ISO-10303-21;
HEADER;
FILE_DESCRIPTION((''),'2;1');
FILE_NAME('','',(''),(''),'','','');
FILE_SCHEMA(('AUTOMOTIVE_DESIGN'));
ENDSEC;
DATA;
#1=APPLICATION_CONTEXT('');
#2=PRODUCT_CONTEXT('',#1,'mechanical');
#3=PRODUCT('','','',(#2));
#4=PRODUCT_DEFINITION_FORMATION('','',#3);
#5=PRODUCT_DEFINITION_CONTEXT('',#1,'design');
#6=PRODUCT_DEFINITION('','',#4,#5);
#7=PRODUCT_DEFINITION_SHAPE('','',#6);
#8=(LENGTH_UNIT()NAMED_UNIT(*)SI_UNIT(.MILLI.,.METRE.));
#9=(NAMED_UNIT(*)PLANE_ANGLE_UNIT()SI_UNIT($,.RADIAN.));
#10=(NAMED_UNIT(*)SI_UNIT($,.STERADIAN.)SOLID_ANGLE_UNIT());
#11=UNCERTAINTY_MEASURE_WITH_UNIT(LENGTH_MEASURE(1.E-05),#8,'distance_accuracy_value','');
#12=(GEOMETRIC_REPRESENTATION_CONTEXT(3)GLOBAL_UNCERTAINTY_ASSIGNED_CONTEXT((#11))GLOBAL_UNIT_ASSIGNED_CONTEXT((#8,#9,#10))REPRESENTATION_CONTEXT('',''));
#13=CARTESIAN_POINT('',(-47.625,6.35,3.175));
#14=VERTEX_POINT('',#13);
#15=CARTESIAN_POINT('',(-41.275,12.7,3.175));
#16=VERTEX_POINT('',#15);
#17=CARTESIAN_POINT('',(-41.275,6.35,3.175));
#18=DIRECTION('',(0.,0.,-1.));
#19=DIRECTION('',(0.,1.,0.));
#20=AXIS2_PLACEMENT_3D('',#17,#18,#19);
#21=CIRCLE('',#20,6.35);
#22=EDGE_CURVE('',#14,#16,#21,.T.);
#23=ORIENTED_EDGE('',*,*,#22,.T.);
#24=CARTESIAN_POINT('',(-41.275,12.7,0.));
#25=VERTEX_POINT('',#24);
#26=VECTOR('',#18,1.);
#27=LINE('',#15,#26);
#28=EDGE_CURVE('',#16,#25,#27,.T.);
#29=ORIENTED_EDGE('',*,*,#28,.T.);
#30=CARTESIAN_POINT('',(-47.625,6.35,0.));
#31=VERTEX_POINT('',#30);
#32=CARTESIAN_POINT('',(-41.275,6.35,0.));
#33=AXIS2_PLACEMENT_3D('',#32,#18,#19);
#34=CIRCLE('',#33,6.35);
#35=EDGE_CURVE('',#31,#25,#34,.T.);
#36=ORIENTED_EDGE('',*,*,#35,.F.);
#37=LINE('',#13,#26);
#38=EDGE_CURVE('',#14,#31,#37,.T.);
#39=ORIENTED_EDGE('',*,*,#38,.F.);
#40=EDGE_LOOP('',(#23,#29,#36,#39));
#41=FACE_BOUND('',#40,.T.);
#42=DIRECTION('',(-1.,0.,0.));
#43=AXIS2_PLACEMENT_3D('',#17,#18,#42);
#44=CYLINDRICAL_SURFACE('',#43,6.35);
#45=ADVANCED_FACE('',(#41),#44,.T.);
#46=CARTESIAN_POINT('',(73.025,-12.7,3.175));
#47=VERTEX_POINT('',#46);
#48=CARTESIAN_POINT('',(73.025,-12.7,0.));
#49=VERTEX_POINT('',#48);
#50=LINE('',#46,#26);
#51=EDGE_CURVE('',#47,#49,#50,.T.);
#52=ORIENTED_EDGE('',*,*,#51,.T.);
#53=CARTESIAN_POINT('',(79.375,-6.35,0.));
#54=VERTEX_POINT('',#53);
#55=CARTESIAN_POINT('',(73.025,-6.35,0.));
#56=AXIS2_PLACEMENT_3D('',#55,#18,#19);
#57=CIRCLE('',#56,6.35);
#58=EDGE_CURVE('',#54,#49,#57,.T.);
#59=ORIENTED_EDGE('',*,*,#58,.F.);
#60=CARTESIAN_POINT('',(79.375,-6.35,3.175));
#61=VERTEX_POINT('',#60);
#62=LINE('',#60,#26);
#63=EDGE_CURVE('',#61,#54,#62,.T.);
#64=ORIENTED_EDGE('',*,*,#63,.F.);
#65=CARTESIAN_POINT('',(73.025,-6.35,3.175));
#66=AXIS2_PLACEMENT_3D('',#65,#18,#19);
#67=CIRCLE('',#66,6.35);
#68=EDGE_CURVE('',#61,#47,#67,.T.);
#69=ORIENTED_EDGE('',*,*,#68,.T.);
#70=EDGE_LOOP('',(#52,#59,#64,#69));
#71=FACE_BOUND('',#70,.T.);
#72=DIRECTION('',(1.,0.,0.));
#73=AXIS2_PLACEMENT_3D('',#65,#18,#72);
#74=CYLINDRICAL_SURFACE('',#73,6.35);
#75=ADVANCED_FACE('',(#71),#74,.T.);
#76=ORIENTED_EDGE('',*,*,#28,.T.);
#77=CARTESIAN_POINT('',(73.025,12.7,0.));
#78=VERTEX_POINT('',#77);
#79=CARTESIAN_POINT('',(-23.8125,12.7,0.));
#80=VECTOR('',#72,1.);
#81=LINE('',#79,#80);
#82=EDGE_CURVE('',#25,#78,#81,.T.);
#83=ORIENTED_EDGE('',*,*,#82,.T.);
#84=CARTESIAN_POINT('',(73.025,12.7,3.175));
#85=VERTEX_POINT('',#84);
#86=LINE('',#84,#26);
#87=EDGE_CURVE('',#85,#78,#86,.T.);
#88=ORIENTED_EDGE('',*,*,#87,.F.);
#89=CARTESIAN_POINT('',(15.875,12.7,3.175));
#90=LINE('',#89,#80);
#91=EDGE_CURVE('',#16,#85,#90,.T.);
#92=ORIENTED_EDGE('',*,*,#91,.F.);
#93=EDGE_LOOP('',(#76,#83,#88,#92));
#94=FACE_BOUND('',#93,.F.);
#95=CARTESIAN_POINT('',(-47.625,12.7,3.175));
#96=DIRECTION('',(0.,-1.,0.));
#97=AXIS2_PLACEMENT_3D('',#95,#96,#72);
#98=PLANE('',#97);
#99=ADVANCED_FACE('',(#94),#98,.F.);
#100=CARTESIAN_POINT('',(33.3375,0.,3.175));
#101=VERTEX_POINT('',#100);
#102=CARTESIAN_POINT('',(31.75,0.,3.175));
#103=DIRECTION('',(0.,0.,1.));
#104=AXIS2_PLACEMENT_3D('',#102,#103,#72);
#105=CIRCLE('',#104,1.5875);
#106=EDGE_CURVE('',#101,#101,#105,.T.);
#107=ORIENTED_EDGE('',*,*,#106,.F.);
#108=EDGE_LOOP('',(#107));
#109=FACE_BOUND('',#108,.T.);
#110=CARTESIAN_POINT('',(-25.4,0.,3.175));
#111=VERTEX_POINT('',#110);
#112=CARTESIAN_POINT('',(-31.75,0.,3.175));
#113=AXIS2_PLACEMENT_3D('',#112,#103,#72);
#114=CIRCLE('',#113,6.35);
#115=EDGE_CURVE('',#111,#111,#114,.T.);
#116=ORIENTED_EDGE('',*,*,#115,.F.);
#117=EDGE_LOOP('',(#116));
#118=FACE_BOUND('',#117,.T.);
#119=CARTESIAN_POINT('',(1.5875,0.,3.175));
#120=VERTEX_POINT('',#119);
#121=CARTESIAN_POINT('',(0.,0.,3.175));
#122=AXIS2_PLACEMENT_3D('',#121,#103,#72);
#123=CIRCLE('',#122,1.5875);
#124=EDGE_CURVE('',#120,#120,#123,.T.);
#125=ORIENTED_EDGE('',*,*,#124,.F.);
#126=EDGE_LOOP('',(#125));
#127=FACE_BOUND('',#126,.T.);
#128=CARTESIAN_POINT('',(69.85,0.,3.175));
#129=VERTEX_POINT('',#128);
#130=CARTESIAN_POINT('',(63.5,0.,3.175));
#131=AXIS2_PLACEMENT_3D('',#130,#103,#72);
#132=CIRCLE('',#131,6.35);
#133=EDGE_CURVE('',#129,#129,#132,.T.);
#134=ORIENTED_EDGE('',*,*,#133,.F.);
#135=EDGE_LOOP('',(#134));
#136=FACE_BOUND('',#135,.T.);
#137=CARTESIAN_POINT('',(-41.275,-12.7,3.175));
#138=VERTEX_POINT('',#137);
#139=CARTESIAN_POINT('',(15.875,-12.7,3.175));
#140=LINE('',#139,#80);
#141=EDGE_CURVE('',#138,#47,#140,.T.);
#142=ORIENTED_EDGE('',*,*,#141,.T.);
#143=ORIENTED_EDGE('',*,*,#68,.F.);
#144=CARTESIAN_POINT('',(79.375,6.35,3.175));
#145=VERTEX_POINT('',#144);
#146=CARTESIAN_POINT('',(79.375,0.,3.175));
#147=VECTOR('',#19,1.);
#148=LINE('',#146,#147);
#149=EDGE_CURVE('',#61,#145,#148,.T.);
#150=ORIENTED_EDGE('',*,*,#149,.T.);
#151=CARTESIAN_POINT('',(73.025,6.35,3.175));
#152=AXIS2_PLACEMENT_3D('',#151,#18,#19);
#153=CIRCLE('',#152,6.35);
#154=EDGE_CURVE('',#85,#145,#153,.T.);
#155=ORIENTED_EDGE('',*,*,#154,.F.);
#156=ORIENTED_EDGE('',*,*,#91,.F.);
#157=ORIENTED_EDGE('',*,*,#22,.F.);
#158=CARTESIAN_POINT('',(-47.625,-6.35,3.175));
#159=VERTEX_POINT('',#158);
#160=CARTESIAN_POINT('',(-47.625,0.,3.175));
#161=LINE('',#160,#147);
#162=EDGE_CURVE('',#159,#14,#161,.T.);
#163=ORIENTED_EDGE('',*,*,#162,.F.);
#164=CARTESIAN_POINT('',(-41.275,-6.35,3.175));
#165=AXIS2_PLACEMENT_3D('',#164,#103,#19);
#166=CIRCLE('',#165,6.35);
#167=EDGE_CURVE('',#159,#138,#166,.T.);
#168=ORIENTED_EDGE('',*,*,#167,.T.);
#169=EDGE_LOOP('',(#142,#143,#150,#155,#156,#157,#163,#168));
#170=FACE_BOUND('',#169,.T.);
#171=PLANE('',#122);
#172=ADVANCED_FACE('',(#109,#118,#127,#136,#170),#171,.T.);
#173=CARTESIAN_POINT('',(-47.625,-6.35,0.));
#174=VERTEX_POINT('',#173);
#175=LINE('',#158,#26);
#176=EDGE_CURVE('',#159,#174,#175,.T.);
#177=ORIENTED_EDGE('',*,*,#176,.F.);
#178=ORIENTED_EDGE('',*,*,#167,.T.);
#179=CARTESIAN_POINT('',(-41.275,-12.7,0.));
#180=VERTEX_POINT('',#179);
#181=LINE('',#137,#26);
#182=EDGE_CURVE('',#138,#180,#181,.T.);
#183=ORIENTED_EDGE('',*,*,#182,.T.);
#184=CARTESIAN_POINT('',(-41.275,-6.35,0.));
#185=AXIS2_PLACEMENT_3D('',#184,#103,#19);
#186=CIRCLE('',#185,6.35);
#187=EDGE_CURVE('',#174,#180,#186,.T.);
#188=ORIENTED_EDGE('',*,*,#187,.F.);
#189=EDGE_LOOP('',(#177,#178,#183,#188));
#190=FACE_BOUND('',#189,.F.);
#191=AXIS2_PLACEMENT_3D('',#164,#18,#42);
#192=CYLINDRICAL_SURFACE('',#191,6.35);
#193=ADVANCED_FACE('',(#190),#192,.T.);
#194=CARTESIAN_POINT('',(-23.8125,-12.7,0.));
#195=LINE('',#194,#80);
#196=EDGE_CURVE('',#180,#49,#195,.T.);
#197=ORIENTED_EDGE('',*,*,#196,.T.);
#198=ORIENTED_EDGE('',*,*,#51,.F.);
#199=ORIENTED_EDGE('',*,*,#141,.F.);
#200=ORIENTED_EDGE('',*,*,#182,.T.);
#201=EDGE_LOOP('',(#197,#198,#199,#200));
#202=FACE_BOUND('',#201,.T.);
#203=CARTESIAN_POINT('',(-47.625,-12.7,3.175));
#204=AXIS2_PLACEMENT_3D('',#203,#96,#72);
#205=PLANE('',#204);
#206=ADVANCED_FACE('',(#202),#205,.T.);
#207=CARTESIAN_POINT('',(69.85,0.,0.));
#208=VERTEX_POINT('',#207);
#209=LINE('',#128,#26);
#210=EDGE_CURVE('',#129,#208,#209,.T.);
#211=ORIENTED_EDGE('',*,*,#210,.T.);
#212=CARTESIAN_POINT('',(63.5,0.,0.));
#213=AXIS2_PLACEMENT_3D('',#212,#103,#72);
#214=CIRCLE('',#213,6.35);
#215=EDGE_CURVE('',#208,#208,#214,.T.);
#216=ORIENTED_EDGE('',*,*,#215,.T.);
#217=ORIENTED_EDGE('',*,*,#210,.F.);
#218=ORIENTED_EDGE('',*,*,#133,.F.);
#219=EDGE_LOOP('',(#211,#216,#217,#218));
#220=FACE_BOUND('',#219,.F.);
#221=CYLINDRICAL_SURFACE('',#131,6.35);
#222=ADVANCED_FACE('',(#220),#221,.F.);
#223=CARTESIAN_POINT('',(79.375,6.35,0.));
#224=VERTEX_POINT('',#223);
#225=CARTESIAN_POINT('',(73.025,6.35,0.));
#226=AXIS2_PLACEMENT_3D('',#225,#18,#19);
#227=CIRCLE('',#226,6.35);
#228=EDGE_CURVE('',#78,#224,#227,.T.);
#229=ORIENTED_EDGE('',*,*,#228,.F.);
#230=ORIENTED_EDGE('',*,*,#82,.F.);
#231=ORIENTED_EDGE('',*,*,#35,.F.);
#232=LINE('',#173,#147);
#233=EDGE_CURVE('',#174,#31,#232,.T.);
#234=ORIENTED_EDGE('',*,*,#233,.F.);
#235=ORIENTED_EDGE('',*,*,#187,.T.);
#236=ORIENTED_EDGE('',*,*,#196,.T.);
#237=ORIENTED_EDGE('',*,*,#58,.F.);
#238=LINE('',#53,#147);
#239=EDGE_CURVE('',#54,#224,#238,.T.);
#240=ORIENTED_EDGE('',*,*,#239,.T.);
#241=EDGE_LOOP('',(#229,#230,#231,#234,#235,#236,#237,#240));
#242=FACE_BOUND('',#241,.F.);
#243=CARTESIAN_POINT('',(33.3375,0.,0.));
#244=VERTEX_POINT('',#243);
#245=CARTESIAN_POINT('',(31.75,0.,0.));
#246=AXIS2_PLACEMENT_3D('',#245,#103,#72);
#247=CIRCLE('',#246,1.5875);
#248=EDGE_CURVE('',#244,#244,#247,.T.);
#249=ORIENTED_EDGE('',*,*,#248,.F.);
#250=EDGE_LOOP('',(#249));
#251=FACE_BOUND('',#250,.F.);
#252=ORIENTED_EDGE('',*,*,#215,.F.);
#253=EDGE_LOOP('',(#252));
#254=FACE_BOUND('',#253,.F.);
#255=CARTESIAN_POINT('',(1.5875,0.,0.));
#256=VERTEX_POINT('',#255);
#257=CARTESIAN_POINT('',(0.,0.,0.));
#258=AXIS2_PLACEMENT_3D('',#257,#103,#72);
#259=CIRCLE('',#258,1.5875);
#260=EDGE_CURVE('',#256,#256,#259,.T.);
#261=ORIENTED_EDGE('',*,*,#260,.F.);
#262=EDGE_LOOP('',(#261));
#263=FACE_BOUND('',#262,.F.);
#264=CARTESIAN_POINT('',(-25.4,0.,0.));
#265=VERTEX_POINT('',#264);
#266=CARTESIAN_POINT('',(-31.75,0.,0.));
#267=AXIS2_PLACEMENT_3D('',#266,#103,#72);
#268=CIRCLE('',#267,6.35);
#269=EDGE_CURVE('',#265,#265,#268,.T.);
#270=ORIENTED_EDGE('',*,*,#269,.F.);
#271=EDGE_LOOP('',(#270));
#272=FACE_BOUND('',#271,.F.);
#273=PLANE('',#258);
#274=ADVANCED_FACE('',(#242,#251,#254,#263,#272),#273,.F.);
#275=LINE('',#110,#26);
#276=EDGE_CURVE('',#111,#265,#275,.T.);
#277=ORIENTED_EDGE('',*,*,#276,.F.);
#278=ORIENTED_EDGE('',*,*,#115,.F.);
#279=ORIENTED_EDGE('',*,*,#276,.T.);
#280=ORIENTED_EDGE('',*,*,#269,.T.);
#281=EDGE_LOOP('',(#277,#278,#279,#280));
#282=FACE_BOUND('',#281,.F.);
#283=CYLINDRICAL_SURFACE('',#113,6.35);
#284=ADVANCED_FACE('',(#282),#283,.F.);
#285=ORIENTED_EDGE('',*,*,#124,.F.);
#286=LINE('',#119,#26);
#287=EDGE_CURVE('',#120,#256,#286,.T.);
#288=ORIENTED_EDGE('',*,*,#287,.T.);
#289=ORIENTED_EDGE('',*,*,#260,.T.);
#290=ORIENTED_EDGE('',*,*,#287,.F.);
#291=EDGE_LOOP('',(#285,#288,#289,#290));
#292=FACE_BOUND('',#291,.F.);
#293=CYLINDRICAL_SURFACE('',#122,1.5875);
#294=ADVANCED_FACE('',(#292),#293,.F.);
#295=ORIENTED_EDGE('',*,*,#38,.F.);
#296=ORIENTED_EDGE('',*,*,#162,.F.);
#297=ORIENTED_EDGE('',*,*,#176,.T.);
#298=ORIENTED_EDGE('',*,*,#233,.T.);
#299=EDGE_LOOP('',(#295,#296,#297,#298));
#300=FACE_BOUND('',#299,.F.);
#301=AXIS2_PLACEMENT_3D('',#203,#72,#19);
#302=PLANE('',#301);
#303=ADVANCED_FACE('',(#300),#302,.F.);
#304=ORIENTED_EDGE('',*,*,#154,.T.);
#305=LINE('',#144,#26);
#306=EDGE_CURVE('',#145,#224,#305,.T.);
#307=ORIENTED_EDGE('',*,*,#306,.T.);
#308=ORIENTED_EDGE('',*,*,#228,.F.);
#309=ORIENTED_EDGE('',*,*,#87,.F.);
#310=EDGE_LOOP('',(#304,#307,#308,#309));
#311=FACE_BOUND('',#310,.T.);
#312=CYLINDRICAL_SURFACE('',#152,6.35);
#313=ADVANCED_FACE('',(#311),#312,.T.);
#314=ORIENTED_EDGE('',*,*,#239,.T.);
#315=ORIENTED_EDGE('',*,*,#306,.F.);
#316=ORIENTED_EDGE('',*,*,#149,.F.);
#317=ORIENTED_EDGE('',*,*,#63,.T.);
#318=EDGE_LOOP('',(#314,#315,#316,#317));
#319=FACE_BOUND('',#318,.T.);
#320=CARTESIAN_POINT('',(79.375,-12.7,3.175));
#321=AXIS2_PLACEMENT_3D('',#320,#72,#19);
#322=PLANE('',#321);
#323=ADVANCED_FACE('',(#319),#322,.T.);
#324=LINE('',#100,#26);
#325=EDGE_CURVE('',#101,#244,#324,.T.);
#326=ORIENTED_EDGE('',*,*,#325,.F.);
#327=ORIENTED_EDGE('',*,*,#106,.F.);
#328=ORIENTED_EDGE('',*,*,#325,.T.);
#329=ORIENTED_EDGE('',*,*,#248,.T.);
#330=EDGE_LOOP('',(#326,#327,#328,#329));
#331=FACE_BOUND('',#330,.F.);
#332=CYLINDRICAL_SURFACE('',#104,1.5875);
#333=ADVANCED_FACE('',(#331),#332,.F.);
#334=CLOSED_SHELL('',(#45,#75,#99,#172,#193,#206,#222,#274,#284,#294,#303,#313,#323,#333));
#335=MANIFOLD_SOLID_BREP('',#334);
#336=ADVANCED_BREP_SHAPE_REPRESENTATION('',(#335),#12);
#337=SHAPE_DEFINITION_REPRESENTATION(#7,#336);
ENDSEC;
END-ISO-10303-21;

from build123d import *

# Parameters (mm, degrees)
F0_W     = 203.2
F0_H     = 152.4
F1_DEPTH = 3.175
F2_R     = 6.35
F3_DEPTH = 3.176
F4_W     = 203.2
F4_H     = 152.4
F4_W_2   = 127
F4_H_2   = 25.4
F5_DEPTH = 3.176
F6_R     = 6.35
F7_R     = 1.5875
F8_DEPTH = 3.176


with BuildPart() as f1:
    # F0 (on Top) → F1 (new body)
    with BuildSketch(Plane.XY):
        Rectangle(F0_W, F0_H)
    extrude(amount=F1_DEPTH)

    # F2 (on face) → F3 (cut, through all)
    with BuildSketch(Plane.XY.offset(3.175)):
        with Locations((-31.75, 0)):
            Circle(F2_R)
        with Locations((63.5, 0)):
            Circle(F2_R)
    extrude(amount=-F3_DEPTH, mode=Mode.SUBTRACT)

    # F4 (on face) → F5 (cut, through all)
    with BuildSketch(Plane.XY.offset(3.175)):
        Rectangle(F4_W, F4_H)
        with Locations((15.875, 0)):
            Rectangle(F4_W_2, F4_H_2, mode=Mode.SUBTRACT)
    extrude(amount=-F5_DEPTH, mode=Mode.SUBTRACT)

    # F6
    f6_edges = [f1.edges().sort_by_distance(p)[0] for p in [
        (-47.625, 12.7, 1.5875),
        (-47.625, -12.7, 1.5875),
        (79.375, -12.7, 1.5875),
        (79.375, 12.7, 1.5875),
    ]]
    fillet(f6_edges, radius=F6_R)

    # F7 (on face) → F8 (cut, through all)
    with BuildSketch(Plane.XY.offset(3.175)):
        Circle(F7_R)
        with Locations((31.75, 0)):
            Circle(F7_R)
    extrude(amount=-F8_DEPTH, mode=Mode.SUBTRACT)


solid = f1.part
